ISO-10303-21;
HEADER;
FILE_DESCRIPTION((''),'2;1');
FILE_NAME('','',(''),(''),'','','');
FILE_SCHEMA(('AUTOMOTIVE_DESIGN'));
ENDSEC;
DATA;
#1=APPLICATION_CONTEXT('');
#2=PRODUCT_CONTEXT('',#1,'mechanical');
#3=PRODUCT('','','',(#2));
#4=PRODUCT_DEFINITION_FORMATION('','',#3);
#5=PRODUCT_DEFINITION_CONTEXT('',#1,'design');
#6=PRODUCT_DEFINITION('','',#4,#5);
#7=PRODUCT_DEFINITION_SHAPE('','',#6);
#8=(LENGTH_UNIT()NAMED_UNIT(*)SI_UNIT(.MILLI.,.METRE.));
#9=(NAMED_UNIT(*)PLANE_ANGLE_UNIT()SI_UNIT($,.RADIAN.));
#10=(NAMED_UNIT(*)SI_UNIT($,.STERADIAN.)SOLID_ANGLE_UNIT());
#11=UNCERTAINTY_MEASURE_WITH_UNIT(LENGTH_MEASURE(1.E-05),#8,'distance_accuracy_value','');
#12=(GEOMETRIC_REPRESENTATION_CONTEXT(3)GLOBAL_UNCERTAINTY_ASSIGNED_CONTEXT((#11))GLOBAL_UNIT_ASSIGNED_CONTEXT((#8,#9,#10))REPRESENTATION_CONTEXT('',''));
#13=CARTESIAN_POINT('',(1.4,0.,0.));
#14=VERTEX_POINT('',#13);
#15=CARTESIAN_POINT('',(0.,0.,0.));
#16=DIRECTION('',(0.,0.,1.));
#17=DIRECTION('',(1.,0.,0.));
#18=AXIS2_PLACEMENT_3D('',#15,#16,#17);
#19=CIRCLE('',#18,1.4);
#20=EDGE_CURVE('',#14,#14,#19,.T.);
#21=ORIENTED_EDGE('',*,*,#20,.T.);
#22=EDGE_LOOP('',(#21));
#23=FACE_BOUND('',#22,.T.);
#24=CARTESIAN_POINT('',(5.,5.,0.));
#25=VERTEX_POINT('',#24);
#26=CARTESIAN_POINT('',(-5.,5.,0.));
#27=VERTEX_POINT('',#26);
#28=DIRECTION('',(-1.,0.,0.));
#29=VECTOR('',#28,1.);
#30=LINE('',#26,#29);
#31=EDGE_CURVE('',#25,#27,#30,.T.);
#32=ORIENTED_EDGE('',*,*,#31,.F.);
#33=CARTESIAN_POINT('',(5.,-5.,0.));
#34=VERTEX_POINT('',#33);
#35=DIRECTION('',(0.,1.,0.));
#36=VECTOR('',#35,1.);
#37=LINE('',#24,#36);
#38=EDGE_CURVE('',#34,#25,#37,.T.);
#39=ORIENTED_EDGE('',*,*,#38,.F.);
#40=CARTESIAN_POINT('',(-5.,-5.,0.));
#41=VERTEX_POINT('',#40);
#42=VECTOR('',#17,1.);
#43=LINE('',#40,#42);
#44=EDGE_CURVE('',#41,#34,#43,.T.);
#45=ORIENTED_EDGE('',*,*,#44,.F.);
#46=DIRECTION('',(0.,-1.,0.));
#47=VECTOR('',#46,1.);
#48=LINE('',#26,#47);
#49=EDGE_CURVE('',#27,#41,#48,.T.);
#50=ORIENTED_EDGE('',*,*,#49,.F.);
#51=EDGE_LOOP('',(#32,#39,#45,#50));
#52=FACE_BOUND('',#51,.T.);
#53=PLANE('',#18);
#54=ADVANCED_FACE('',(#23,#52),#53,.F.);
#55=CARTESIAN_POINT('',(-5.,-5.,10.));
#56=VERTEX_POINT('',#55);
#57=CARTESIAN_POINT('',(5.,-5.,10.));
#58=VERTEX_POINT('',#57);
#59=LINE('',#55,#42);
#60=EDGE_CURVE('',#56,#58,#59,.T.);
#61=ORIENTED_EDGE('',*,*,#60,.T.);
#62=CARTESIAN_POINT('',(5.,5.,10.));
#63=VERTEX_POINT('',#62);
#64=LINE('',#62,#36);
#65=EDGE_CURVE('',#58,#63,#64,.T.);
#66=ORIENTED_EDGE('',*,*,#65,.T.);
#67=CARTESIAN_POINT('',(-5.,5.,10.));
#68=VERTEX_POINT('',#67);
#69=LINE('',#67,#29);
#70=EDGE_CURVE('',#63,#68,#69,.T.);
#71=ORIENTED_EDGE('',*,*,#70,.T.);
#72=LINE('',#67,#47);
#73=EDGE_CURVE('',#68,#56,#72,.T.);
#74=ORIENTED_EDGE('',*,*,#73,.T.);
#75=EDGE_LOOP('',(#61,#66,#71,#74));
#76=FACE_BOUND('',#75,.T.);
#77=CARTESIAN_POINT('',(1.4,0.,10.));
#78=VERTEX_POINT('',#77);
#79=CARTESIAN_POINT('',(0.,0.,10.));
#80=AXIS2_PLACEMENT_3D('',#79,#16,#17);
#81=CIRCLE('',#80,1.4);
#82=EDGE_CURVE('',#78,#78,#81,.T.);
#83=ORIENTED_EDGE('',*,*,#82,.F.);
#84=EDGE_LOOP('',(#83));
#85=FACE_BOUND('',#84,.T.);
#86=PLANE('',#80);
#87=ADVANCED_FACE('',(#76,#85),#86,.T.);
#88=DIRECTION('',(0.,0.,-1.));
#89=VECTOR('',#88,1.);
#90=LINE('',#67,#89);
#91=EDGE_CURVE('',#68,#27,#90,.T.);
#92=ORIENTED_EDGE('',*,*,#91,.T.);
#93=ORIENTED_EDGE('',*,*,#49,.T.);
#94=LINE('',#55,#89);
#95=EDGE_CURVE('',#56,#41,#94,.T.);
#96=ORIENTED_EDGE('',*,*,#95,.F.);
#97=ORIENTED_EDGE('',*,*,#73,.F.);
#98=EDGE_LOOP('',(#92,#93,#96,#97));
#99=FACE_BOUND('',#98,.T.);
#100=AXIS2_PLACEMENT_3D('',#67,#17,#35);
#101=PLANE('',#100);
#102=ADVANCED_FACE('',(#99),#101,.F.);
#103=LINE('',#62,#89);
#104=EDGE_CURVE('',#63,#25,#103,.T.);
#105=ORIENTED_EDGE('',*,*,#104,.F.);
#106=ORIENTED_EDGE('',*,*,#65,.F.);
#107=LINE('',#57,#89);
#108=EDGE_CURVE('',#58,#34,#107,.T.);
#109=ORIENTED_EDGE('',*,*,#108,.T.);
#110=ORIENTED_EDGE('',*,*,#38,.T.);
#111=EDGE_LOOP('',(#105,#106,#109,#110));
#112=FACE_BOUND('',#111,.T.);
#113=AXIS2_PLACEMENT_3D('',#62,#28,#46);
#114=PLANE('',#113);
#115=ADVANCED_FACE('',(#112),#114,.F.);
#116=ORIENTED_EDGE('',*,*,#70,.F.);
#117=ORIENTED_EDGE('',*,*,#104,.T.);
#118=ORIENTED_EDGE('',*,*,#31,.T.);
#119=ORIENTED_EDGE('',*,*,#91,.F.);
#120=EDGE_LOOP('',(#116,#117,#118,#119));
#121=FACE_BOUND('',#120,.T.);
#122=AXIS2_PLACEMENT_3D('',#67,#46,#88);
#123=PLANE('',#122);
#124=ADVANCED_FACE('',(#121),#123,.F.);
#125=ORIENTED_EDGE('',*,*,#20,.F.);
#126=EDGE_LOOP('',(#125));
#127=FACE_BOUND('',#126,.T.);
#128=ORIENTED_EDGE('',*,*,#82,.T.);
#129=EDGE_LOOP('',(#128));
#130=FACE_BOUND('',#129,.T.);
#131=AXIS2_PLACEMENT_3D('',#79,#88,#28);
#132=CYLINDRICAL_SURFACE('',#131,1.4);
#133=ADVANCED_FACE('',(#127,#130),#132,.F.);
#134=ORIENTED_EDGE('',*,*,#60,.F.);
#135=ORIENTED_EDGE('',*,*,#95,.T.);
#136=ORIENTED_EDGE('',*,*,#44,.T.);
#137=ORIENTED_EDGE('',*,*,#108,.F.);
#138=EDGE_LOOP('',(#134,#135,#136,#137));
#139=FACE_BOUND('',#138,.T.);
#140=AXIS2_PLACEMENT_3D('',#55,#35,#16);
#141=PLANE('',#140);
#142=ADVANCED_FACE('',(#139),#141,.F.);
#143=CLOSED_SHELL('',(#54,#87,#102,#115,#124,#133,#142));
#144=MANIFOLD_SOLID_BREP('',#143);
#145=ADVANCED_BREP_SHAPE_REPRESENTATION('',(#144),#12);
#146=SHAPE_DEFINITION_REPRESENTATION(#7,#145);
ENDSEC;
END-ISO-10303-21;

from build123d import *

# Parameters (mm, degrees)
SKETCH_1_W      = 10
SKETCH_1_H      = 10
SKETCH_1_R      = 1.4
EXTRUDE_1_DEPTH = 10


with BuildPart() as part:
    # 스케치1 → 보스-돌출1 (new body)
    with BuildSketch(Plane.XY):
        Rectangle(SKETCH_1_W, SKETCH_1_H)
        Circle(SKETCH_1_R, mode=Mode.SUBTRACT)
    extrude(amount=EXTRUDE_1_DEPTH)


solid = part.part
